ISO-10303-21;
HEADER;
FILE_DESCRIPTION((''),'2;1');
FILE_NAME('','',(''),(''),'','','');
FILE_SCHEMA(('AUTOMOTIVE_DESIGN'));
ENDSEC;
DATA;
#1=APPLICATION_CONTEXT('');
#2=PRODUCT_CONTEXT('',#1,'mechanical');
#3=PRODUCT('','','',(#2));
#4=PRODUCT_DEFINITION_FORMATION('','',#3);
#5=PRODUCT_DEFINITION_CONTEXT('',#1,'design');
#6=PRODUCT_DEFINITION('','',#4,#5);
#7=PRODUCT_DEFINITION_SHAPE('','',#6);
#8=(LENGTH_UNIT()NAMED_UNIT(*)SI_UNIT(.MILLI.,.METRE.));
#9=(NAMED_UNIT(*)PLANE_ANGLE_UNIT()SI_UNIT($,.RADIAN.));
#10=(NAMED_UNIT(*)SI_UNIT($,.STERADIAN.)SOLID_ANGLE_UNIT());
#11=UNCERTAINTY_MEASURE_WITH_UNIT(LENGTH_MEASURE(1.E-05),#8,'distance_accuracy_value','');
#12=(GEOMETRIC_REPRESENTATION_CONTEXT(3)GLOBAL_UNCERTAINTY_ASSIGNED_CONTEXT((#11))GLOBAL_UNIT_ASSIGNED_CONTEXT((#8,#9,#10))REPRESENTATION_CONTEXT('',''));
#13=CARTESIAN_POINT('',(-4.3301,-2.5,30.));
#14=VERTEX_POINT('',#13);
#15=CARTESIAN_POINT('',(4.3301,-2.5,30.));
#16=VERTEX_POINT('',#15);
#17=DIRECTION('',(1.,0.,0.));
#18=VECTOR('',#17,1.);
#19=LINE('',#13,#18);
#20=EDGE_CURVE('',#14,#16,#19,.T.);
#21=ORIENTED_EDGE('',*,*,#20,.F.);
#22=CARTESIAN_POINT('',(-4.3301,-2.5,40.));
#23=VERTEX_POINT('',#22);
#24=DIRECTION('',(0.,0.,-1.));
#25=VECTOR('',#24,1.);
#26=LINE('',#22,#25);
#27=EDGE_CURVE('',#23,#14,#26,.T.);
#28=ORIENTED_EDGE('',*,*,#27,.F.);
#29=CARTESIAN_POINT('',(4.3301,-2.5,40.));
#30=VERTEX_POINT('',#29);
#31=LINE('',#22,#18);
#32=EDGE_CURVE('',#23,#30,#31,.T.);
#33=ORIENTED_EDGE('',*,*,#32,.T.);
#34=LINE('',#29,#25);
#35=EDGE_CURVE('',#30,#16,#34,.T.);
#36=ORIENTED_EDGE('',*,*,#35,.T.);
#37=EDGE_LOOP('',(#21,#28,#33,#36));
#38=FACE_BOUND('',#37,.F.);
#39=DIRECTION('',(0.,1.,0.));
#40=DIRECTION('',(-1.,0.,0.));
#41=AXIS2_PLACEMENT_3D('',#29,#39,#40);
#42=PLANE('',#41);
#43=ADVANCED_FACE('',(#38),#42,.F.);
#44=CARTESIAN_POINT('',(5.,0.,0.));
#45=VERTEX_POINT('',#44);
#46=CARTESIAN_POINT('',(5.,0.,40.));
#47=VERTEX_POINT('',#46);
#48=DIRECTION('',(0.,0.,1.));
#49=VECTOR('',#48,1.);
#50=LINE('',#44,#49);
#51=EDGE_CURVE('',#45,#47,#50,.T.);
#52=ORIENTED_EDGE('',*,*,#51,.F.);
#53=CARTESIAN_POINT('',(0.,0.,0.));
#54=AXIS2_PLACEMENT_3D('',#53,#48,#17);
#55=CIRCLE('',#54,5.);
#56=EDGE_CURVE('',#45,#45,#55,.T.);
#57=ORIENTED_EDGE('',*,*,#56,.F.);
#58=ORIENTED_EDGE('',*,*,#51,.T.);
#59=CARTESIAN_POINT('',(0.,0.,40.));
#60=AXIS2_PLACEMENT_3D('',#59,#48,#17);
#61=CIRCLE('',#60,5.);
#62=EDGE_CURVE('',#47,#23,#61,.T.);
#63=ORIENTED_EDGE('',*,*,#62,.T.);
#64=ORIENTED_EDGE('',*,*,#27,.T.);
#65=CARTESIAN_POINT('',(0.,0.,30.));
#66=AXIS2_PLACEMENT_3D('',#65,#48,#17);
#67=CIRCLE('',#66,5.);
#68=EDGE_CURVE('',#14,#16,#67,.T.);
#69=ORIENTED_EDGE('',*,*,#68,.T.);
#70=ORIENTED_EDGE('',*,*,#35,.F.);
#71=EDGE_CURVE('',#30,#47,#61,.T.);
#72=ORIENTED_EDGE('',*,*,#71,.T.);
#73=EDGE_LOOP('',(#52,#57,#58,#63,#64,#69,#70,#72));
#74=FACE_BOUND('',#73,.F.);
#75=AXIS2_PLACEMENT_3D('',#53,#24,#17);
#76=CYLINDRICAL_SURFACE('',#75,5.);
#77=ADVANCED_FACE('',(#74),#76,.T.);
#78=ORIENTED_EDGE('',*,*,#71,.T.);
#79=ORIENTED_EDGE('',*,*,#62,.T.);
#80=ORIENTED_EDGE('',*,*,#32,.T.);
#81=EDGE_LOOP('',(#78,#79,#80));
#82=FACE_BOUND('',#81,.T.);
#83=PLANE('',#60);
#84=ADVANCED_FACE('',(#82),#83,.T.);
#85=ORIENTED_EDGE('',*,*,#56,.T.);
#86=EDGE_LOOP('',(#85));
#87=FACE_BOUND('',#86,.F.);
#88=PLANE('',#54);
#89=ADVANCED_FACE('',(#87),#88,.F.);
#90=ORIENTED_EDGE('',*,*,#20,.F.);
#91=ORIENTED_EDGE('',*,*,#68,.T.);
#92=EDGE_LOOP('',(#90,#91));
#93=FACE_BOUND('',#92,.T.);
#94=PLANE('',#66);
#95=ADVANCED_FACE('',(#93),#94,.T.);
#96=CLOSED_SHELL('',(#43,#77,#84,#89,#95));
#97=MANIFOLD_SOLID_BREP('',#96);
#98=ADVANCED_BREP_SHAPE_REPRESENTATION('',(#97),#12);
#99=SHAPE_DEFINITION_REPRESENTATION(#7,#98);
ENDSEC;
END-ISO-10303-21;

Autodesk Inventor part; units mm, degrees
ref_plane "YZ Plane" through (0, 0, 0) normal (1, 0, 0) x (0, 1, 0)
ref_plane "XZ Plane" through (0, 0, 0) normal (0, 1, 0) x (-1, 0, 0)
ref_plane "XY Plane" through (0, 0, 0) normal (0, 0, 1) x (1, 0, 0)
sketch "草圖1" plane through (0, 0, 0) normal (0, 0, 1) x (1, 0, 0)
  circle A0 centre (0, 0) radius 5
  dimension "d0" = 10
extrude "擠出1" add sketch "草圖1" along normal blind 40
sketch "草圖2" plane through (0, 0, 40) normal (0, 0, 1) x (1, 0, 0)
  circle A0 centre (0, 0) radius 2.5
  circle A1 centre (0, 0) radius 5 projected
  line L0 (-4.3301, -7.5) -> (4.3301, -7.5)
  line L1 (4.3301, -7.5) -> (4.3301, -2.5)
  line L2 (4.3301, -2.5) -> (-4.3301, -2.5)
  line L3 (-4.3301, -2.5) -> (-4.3301, -7.5)
  line L4 (-4.3301, -7.5) -> (4.3301, -2.5) construction
  line L5 (4.3301, -7.5) -> (-4.3301, -2.5) construction
  point P0 (0, -5)
  dimension "d3" = 5
extrude "擠出2" cut sketch "草圖2" against normal blind 10 contours L2 A1 picked at (-2.6557, -2.8104)
properties part number "MotorPart3"
